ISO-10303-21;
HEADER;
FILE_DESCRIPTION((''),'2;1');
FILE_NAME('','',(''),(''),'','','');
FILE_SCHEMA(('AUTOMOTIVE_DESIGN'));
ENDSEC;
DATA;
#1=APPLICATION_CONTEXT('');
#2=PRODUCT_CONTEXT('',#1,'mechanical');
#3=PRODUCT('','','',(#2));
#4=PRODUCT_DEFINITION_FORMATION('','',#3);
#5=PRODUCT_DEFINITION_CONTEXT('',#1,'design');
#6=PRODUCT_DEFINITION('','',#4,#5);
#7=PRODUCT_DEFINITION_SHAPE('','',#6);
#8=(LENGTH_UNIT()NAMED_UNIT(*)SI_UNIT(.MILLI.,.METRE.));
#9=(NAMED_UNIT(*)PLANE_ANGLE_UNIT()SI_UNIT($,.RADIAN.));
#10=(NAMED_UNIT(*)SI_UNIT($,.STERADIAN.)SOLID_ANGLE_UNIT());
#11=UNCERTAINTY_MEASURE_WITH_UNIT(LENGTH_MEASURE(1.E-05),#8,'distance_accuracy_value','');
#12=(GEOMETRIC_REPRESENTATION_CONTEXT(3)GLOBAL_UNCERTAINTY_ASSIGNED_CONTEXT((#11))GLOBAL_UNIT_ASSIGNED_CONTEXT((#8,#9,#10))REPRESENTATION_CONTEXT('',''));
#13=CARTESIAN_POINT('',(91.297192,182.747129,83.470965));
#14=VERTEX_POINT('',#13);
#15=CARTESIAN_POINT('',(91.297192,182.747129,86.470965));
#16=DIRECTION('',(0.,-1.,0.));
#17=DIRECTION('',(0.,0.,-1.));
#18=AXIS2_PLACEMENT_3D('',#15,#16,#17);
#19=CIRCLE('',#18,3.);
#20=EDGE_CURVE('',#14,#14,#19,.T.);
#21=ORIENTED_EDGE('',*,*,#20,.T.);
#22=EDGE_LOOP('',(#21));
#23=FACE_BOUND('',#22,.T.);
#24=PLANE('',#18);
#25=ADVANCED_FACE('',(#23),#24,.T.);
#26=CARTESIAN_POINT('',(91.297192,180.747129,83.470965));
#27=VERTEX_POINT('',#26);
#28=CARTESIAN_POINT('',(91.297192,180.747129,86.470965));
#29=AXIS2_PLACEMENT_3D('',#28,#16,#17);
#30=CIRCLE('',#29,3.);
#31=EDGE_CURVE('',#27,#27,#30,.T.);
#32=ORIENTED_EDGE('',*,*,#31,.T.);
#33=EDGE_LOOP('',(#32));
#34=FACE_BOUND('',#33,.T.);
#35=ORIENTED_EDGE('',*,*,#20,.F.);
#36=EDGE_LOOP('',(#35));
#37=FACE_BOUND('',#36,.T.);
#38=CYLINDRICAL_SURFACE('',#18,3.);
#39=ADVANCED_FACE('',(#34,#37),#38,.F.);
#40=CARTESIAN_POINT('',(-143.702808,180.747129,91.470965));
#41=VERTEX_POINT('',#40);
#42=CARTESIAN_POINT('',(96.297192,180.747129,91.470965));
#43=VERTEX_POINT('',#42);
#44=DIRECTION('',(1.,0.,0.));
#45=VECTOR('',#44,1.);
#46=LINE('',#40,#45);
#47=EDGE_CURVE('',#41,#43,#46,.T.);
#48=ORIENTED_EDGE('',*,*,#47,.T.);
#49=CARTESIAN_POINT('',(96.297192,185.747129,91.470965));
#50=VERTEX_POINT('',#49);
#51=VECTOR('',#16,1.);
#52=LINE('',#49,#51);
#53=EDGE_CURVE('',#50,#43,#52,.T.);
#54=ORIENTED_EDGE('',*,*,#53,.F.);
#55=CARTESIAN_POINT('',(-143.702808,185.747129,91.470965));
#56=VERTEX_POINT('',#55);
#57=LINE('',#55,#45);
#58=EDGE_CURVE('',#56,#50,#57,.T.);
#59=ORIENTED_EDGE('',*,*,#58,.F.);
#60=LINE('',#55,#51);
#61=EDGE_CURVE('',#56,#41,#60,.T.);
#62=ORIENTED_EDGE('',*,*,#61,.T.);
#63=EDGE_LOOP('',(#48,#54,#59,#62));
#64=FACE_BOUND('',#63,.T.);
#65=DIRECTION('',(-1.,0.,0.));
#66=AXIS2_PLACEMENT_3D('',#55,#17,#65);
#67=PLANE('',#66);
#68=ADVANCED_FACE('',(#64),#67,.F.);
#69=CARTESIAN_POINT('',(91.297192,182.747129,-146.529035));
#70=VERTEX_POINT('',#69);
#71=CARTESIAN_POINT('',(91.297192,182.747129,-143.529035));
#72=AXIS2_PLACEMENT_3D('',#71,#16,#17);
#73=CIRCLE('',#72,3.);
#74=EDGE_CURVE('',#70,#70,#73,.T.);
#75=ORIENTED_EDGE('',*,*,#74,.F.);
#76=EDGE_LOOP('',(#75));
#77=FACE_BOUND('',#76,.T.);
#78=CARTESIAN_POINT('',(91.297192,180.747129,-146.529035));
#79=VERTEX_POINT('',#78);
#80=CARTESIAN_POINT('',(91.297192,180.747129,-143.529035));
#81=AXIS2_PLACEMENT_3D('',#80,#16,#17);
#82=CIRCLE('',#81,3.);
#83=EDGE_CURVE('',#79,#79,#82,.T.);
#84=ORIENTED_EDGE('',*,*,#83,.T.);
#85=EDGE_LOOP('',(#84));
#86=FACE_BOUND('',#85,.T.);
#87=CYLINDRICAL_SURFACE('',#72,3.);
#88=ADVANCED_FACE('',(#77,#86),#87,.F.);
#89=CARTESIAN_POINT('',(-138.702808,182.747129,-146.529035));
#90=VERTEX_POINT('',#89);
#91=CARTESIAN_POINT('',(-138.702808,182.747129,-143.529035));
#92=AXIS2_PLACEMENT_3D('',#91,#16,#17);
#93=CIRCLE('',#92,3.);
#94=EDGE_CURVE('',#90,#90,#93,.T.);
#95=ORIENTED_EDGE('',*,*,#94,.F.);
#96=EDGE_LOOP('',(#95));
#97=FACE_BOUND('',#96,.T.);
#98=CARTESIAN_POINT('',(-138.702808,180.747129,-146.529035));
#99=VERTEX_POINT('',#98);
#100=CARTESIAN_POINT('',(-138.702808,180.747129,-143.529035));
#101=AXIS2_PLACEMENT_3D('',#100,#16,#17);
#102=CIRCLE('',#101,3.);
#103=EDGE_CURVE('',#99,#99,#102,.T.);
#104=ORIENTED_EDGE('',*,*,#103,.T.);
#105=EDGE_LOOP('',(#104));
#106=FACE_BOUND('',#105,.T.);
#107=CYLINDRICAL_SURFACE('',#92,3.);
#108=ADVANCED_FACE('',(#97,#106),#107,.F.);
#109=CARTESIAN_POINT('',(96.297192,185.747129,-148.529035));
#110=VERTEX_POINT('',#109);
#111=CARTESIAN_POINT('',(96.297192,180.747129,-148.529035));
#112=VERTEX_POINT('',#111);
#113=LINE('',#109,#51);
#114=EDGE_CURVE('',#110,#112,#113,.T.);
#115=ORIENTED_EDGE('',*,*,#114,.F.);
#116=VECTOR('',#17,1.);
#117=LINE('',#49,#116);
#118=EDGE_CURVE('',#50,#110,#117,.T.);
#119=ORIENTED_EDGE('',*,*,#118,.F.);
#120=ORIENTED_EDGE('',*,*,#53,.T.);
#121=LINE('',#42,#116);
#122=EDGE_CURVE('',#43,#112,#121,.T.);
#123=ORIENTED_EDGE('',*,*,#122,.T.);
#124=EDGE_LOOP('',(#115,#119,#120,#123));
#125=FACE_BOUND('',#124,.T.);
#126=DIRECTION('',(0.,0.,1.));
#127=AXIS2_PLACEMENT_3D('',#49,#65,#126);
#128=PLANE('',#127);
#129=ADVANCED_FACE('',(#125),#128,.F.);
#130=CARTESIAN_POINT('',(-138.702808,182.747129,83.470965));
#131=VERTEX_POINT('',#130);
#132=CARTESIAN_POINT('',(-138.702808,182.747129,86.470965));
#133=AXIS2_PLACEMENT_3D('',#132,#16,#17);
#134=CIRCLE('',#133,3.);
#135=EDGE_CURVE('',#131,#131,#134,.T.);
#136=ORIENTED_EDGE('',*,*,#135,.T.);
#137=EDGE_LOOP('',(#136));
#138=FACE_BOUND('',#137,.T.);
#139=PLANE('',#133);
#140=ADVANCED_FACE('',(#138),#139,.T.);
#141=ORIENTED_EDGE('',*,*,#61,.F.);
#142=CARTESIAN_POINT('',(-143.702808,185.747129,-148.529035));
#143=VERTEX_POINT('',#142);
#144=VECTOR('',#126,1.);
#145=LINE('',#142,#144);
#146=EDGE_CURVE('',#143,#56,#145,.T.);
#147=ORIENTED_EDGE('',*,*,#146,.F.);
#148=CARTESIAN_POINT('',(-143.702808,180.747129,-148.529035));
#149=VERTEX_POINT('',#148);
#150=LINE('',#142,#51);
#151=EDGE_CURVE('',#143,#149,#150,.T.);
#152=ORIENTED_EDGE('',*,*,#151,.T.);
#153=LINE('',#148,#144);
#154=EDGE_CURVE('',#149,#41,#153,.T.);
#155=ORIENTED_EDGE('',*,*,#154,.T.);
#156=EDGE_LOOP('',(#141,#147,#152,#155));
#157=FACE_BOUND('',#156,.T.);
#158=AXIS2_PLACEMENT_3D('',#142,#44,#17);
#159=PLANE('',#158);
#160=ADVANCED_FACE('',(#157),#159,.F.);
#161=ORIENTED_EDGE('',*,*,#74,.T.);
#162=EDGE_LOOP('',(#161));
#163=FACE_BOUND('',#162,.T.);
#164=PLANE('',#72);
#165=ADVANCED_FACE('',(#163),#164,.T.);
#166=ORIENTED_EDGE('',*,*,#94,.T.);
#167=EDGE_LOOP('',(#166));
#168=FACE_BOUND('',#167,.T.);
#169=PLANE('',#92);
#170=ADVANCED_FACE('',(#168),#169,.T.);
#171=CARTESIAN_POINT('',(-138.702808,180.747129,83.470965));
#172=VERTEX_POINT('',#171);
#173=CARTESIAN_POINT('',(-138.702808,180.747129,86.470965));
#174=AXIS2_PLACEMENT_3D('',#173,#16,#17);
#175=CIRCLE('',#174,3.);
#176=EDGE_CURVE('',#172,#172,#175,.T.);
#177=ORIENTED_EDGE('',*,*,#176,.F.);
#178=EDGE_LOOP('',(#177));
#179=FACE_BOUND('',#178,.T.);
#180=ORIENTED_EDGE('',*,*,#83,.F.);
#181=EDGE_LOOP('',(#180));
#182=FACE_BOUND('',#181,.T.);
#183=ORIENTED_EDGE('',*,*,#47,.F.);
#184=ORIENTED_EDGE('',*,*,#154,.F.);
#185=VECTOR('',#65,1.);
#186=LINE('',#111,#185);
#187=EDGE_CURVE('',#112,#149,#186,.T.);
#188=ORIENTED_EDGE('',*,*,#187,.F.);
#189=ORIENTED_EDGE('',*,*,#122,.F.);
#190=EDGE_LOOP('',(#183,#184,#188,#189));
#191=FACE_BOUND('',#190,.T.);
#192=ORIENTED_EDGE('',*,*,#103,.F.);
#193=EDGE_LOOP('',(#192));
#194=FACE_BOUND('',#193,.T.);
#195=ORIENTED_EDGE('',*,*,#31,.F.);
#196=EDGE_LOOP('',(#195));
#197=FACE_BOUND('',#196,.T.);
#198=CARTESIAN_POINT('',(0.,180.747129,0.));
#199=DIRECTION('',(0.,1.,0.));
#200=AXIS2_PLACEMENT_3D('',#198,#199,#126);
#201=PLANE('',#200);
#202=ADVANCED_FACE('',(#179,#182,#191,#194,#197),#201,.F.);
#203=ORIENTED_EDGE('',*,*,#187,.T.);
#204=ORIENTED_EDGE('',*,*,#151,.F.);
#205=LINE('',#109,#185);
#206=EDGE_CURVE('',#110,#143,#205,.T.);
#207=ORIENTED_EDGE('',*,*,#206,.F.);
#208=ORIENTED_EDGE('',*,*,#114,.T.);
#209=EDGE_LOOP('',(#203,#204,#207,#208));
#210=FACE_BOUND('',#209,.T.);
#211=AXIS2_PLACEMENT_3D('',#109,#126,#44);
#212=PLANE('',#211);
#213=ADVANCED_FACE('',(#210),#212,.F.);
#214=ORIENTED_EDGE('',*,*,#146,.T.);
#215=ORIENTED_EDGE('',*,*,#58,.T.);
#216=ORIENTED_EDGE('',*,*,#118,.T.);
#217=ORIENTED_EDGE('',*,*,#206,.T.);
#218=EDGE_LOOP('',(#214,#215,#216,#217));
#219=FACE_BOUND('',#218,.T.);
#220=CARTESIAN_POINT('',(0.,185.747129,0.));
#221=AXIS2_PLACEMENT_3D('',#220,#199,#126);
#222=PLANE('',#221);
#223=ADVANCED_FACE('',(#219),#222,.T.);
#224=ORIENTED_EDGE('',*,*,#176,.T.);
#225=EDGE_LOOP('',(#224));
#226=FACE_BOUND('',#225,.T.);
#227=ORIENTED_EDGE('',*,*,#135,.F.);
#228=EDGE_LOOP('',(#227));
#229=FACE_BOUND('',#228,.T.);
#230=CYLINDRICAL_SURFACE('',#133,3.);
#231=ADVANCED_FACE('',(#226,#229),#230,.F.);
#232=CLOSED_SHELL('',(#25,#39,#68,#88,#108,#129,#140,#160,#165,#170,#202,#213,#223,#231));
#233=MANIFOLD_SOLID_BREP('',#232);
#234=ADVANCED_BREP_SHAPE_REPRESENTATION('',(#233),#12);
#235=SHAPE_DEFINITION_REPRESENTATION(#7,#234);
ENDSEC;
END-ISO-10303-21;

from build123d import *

# Parameters (mm, degrees)
SKETCH1_W           = 240
SKETCH1_H           = 240
BOSS_EXTRUDE1_DEPTH = 5
SKETCH2_R           = 3
CUT_EXTRUDE1_DEPTH  = 2


with BuildPart() as part:
    # Sketch1 → Boss-Extrude1 (new body)
    with BuildSketch(Plane(origin=(0, 180.747129437, 0), x_dir=(1, 0, 0), z_dir=(0, 1, 0))):
        with Locations((-23.70280819, 28.529034587)):
            Rectangle(SKETCH1_W, SKETCH1_H)
    extrude(amount=BOSS_EXTRUDE1_DEPTH)

    # Sketch2 → Cut-Extrude1 (cut)
    with BuildSketch(Plane.XZ.offset(-180.747129437)):
        with Locations((-138.70280819, 86.470965413)):
            Circle(SKETCH2_R)
        with Locations((91.29719181, 86.470965413)):
            Circle(SKETCH2_R)
        with Locations((91.29719181, -143.529034587)):
            Circle(SKETCH2_R)
        with Locations((-138.70280819, -143.529034587)):
            Circle(SKETCH2_R)
    extrude(amount=-CUT_EXTRUDE1_DEPTH, mode=Mode.SUBTRACT)


solid = part.part
